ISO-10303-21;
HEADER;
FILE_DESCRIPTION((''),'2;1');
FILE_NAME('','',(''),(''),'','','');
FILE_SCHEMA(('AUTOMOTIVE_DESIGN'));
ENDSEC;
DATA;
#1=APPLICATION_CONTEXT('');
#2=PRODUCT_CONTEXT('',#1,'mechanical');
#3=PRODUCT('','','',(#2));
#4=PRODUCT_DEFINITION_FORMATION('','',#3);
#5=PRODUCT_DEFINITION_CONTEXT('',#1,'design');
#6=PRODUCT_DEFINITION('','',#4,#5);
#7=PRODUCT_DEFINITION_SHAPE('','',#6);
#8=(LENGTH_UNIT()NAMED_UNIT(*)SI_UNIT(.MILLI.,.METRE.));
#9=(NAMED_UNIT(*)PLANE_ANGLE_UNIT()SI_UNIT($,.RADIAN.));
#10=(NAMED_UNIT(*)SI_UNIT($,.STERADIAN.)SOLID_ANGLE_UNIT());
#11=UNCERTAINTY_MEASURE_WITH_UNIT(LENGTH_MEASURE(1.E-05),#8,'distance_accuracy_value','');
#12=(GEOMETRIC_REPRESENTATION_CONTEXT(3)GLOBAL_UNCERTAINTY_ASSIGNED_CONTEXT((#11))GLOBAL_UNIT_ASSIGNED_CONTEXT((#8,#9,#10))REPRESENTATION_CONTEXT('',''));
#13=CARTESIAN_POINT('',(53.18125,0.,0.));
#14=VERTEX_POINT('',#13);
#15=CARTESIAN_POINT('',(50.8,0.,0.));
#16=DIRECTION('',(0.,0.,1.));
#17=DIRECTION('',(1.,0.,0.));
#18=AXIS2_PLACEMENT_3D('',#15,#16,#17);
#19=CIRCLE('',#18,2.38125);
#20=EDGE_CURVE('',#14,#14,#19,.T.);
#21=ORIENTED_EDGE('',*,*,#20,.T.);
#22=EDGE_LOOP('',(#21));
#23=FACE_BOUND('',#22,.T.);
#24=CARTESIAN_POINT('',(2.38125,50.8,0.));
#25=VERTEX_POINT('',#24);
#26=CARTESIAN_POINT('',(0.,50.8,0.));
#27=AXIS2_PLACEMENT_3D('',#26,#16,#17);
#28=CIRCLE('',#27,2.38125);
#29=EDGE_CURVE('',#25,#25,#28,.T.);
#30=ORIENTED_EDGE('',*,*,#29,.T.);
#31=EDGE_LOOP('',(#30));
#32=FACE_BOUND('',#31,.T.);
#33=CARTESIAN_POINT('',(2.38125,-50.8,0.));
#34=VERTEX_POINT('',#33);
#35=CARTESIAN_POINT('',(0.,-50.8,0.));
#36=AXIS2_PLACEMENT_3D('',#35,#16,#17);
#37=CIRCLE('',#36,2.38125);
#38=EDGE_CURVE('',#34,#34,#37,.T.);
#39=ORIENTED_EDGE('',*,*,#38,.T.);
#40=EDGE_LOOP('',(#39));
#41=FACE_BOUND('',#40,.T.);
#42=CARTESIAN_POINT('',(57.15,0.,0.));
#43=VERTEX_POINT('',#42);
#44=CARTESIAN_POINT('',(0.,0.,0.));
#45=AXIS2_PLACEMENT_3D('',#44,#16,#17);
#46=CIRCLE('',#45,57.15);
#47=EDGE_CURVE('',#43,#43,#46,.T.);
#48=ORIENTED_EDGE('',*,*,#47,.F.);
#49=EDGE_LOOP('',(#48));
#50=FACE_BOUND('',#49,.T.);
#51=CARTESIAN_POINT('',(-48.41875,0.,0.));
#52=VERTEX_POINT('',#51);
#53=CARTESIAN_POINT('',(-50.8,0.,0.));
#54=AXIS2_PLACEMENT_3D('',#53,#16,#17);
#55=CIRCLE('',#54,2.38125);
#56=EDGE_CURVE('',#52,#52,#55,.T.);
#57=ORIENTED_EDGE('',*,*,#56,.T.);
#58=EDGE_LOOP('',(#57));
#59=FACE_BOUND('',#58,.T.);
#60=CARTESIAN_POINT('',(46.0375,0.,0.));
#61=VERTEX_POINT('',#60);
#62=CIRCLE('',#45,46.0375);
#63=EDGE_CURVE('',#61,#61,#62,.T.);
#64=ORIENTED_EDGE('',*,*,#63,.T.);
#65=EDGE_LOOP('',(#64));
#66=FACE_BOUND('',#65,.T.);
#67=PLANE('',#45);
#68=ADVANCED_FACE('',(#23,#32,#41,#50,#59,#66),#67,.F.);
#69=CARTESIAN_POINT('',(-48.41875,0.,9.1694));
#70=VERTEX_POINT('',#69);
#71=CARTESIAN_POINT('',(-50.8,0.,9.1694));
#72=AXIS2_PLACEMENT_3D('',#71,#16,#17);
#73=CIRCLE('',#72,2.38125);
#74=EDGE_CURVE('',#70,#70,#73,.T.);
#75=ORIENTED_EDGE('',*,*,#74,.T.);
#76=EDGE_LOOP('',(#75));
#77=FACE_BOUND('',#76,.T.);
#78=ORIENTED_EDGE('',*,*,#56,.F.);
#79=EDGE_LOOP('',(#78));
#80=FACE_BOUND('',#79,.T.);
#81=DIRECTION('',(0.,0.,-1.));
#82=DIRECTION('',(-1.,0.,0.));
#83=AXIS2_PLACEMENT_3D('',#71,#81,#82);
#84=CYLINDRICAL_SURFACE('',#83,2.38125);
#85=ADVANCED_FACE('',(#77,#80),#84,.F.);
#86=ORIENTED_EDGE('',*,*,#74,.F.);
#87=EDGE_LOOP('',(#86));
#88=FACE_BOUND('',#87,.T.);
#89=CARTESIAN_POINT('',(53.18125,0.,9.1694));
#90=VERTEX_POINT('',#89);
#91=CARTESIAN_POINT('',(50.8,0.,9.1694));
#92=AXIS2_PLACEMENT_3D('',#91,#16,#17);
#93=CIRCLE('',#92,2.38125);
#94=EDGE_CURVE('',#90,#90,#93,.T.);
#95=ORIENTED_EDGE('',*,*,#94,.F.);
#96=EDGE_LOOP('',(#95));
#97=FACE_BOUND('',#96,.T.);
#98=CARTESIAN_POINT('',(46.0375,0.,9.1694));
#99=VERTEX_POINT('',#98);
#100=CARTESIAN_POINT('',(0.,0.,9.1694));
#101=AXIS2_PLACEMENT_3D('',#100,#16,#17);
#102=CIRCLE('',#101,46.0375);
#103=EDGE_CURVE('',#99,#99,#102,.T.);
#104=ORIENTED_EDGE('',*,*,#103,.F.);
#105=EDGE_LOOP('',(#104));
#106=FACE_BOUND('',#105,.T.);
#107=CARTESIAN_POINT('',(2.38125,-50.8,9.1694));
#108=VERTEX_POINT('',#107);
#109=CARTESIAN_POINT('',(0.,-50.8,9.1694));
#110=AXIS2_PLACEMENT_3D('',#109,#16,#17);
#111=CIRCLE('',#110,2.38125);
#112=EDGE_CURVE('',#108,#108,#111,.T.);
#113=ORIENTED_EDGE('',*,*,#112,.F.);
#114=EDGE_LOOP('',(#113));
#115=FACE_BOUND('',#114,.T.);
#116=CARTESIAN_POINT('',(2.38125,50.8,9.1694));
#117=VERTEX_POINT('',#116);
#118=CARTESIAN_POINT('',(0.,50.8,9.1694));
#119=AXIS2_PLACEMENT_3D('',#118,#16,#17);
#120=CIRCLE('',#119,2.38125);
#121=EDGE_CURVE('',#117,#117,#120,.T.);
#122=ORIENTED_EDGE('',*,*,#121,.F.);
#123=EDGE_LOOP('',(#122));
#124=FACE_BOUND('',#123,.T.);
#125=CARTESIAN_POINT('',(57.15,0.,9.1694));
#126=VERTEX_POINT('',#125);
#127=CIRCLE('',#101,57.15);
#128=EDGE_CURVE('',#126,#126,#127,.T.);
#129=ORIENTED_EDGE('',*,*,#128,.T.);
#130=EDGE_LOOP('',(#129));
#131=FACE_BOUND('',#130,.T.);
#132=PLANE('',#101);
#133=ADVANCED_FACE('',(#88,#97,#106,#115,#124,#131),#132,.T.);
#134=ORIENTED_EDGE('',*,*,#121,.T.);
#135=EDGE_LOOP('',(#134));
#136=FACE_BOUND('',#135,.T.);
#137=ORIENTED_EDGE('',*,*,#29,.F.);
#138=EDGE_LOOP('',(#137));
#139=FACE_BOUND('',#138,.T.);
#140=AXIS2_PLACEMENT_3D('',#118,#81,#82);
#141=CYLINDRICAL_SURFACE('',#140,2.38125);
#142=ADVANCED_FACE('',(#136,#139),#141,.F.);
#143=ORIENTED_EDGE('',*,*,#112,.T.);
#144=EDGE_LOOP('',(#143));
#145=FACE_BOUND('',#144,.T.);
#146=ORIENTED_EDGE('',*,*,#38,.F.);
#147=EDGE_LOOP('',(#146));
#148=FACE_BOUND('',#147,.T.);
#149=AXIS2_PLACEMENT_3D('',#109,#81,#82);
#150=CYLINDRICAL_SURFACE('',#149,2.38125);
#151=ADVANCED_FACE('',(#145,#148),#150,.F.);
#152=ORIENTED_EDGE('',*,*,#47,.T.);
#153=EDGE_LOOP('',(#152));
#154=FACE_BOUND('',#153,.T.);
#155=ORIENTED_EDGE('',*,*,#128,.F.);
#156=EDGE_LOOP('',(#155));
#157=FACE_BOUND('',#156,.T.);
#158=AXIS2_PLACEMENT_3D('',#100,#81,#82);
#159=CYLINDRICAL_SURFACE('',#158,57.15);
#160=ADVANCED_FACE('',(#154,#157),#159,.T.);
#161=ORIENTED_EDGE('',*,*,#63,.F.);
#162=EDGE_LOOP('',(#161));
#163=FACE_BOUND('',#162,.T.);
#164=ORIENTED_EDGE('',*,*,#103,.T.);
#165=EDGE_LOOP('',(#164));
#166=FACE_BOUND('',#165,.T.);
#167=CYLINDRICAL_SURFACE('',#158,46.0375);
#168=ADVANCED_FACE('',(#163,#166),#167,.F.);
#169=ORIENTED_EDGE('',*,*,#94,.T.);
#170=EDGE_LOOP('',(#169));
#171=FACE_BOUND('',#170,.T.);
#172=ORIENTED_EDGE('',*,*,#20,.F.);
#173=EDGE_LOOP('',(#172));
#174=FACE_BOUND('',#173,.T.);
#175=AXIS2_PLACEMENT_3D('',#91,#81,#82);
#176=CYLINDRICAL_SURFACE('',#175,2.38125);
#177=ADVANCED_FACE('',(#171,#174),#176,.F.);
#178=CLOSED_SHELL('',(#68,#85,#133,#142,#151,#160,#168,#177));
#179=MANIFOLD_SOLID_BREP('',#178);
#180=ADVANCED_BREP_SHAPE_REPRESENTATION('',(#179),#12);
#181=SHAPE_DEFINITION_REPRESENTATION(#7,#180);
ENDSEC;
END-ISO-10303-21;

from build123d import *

# Parameters (mm, degrees)
SKETCH1_R           = 57.15
SKETCH1_R_2         = 46.0375
SKETCH1_R_3         = 2.38125
BOSS_EXTRUDE1_DEPTH = 9.1694


with BuildPart() as part:
    # Sketch1 → Boss-Extrude1 (new body)
    with BuildSketch(Plane.XY):
        Circle(SKETCH1_R)
        Circle(SKETCH1_R_2, mode=Mode.SUBTRACT)
        with Locations((0, 50.8)):
            Circle(SKETCH1_R_3, mode=Mode.SUBTRACT)
        with Locations((50.8, 0)):
            Circle(SKETCH1_R_3, mode=Mode.SUBTRACT)
        with Locations((0, -50.8)):
            Circle(SKETCH1_R_3, mode=Mode.SUBTRACT)
        with Locations((-50.8, 0)):
            Circle(SKETCH1_R_3, mode=Mode.SUBTRACT)
    extrude(amount=BOSS_EXTRUDE1_DEPTH)


solid = part.part
